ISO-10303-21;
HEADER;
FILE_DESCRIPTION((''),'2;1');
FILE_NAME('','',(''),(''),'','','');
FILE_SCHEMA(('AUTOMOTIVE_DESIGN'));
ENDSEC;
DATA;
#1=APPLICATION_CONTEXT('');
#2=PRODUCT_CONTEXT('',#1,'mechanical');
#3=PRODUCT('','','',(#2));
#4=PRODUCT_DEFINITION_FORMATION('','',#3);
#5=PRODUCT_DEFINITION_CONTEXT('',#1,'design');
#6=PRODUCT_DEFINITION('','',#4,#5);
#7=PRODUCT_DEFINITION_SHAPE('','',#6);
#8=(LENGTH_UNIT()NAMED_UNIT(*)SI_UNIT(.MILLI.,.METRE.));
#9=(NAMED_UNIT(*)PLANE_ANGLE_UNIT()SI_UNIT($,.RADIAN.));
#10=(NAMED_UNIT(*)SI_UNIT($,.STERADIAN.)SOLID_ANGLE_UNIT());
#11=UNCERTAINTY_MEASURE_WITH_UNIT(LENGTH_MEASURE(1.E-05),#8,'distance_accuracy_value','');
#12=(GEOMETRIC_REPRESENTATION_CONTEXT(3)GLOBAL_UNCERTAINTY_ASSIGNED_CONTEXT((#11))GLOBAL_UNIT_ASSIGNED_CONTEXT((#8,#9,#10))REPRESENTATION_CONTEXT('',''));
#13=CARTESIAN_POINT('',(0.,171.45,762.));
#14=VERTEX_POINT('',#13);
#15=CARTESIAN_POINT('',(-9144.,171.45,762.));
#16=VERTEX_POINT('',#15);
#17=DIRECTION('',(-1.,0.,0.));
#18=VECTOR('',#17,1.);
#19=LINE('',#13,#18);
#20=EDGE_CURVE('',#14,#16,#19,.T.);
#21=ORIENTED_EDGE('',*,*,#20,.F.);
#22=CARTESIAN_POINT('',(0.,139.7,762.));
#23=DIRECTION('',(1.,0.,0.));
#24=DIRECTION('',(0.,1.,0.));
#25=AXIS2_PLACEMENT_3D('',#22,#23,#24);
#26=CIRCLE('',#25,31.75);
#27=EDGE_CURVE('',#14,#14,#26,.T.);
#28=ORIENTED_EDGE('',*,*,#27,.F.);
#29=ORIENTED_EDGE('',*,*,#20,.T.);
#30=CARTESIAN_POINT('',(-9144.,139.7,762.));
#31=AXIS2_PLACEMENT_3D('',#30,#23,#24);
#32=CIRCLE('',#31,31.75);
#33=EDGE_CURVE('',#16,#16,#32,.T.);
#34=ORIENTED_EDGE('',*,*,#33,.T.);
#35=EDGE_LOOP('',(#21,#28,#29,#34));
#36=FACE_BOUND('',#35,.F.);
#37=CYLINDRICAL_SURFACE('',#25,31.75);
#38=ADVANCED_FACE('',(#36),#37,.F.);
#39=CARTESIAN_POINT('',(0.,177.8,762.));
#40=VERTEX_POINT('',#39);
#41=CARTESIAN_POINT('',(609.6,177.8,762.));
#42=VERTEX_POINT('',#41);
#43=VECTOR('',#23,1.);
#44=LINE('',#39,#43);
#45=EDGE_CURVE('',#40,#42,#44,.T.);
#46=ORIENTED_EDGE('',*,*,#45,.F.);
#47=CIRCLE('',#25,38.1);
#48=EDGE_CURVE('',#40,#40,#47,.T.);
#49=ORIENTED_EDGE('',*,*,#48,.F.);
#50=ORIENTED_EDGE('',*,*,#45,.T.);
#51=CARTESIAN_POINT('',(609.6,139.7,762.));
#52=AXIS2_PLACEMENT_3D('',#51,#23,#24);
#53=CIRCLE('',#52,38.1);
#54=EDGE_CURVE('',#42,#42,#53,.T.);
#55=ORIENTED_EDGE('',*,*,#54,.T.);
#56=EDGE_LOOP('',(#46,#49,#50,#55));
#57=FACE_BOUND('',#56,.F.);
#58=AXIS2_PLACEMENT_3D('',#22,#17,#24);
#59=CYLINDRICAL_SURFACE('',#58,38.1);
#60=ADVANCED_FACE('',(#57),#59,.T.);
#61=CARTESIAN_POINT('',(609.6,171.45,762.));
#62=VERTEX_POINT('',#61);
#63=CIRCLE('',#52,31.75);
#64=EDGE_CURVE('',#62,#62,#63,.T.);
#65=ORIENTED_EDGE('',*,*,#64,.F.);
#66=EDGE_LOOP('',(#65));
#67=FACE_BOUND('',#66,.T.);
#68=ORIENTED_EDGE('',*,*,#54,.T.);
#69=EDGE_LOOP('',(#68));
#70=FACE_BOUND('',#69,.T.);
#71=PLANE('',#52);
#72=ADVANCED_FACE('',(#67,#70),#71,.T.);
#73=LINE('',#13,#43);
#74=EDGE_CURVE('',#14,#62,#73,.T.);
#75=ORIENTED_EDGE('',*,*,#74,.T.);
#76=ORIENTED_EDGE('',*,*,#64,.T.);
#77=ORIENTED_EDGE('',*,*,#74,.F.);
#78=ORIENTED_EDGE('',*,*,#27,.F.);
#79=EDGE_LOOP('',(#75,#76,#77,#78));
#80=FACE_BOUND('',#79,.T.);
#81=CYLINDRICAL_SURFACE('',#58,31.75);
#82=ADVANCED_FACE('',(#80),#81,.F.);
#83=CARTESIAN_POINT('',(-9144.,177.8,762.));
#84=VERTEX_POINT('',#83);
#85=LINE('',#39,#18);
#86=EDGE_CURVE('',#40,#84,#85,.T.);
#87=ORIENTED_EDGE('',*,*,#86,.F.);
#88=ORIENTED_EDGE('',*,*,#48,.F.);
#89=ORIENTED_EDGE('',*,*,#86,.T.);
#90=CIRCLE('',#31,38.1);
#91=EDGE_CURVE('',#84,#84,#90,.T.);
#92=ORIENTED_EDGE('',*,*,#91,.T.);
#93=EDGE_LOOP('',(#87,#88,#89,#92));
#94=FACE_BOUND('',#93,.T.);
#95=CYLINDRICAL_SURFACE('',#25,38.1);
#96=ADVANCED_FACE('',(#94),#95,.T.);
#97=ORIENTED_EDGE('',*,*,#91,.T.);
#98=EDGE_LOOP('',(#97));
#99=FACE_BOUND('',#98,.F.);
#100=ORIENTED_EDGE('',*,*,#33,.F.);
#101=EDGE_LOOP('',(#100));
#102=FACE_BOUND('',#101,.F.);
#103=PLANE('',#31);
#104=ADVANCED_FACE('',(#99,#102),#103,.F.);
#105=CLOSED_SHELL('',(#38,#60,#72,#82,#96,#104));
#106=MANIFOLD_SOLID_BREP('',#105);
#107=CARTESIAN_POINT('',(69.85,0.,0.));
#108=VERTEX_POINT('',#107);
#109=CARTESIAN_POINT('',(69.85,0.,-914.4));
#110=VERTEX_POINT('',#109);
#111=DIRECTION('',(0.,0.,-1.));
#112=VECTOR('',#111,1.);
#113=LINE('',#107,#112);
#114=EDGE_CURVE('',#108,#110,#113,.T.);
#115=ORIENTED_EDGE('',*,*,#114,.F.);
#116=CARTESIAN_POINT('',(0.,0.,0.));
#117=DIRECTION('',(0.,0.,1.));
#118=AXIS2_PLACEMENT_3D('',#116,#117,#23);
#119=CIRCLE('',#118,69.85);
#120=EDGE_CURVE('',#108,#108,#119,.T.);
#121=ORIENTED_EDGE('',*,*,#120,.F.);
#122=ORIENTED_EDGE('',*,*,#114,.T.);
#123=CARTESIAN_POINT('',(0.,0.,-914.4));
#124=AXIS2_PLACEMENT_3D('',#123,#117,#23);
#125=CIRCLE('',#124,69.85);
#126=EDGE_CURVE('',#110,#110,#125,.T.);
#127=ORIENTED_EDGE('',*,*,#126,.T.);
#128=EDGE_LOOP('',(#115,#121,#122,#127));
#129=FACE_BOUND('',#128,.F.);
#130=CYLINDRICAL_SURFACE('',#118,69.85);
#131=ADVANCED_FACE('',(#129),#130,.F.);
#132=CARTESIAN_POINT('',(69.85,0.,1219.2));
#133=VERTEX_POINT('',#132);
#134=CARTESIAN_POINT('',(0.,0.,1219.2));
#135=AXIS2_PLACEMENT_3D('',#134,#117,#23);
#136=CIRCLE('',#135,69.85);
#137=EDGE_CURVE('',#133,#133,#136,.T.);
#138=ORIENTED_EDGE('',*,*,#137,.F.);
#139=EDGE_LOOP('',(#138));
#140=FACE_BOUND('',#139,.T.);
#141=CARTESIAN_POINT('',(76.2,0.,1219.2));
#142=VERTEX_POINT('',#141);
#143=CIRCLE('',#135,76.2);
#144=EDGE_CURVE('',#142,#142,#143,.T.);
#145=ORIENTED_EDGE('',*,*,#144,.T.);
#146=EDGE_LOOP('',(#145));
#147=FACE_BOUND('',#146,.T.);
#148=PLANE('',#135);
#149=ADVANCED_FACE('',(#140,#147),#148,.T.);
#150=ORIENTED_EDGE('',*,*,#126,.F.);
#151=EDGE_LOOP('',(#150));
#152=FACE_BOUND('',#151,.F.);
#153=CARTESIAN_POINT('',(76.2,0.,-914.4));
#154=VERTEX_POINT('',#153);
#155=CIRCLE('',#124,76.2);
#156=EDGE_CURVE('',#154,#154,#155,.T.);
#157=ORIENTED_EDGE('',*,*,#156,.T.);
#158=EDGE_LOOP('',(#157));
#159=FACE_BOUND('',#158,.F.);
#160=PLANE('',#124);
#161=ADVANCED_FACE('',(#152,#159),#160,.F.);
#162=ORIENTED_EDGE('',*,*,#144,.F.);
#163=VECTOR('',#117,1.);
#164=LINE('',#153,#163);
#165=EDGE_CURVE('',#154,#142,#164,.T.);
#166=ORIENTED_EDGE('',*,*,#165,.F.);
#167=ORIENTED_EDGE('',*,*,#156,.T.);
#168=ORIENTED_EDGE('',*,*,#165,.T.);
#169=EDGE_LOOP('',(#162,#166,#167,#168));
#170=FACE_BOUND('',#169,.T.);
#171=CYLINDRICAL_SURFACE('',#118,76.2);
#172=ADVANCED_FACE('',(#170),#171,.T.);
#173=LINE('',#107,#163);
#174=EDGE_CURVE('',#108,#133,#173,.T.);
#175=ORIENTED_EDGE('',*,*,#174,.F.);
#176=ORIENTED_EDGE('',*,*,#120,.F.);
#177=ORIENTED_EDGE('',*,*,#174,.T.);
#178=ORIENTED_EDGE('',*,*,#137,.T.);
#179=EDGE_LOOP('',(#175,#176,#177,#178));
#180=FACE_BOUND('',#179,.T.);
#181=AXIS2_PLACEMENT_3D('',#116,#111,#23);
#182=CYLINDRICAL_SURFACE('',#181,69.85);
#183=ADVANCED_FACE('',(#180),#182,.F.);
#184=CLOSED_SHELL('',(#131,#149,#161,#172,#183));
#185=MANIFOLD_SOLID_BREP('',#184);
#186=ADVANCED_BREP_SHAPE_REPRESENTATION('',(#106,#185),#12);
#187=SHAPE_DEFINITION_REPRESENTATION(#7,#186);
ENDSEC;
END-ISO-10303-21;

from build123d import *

# Parameters (mm, degrees)
F0_R          = 76.2
F0_R_2        = 69.85
F1_DEPTH      = 1219.2
F1_DEPTH_BACK = 914.4
F2_R          = 38.1
F2_R_2        = 31.75
F3_DEPTH      = 9144
F3_DEPTH_BACK = 609.6


with BuildPart() as f1:
    # F0 (on Top) → F1 (new body, two sides)
    with BuildSketch(Plane.XY) as f1_sk:
        Circle(F0_R)
        Circle(F0_R_2, mode=Mode.SUBTRACT)
    extrude(amount=F1_DEPTH)
    extrude(f1_sk.sketch, amount=-F1_DEPTH_BACK)


with BuildPart() as f3:
    # F2 (on Right) → F3 (new body, two sides)
    with BuildSketch(Plane.YZ) as f3_sk:
        with Locations((139.7, 762)):
            Circle(F2_R)
        with Locations((139.7, 762)):
            Circle(F2_R_2, mode=Mode.SUBTRACT)
    extrude(amount=-F3_DEPTH)
    extrude(f3_sk.sketch, amount=F3_DEPTH_BACK)


solid = Compound([f1.part, f3.part])
